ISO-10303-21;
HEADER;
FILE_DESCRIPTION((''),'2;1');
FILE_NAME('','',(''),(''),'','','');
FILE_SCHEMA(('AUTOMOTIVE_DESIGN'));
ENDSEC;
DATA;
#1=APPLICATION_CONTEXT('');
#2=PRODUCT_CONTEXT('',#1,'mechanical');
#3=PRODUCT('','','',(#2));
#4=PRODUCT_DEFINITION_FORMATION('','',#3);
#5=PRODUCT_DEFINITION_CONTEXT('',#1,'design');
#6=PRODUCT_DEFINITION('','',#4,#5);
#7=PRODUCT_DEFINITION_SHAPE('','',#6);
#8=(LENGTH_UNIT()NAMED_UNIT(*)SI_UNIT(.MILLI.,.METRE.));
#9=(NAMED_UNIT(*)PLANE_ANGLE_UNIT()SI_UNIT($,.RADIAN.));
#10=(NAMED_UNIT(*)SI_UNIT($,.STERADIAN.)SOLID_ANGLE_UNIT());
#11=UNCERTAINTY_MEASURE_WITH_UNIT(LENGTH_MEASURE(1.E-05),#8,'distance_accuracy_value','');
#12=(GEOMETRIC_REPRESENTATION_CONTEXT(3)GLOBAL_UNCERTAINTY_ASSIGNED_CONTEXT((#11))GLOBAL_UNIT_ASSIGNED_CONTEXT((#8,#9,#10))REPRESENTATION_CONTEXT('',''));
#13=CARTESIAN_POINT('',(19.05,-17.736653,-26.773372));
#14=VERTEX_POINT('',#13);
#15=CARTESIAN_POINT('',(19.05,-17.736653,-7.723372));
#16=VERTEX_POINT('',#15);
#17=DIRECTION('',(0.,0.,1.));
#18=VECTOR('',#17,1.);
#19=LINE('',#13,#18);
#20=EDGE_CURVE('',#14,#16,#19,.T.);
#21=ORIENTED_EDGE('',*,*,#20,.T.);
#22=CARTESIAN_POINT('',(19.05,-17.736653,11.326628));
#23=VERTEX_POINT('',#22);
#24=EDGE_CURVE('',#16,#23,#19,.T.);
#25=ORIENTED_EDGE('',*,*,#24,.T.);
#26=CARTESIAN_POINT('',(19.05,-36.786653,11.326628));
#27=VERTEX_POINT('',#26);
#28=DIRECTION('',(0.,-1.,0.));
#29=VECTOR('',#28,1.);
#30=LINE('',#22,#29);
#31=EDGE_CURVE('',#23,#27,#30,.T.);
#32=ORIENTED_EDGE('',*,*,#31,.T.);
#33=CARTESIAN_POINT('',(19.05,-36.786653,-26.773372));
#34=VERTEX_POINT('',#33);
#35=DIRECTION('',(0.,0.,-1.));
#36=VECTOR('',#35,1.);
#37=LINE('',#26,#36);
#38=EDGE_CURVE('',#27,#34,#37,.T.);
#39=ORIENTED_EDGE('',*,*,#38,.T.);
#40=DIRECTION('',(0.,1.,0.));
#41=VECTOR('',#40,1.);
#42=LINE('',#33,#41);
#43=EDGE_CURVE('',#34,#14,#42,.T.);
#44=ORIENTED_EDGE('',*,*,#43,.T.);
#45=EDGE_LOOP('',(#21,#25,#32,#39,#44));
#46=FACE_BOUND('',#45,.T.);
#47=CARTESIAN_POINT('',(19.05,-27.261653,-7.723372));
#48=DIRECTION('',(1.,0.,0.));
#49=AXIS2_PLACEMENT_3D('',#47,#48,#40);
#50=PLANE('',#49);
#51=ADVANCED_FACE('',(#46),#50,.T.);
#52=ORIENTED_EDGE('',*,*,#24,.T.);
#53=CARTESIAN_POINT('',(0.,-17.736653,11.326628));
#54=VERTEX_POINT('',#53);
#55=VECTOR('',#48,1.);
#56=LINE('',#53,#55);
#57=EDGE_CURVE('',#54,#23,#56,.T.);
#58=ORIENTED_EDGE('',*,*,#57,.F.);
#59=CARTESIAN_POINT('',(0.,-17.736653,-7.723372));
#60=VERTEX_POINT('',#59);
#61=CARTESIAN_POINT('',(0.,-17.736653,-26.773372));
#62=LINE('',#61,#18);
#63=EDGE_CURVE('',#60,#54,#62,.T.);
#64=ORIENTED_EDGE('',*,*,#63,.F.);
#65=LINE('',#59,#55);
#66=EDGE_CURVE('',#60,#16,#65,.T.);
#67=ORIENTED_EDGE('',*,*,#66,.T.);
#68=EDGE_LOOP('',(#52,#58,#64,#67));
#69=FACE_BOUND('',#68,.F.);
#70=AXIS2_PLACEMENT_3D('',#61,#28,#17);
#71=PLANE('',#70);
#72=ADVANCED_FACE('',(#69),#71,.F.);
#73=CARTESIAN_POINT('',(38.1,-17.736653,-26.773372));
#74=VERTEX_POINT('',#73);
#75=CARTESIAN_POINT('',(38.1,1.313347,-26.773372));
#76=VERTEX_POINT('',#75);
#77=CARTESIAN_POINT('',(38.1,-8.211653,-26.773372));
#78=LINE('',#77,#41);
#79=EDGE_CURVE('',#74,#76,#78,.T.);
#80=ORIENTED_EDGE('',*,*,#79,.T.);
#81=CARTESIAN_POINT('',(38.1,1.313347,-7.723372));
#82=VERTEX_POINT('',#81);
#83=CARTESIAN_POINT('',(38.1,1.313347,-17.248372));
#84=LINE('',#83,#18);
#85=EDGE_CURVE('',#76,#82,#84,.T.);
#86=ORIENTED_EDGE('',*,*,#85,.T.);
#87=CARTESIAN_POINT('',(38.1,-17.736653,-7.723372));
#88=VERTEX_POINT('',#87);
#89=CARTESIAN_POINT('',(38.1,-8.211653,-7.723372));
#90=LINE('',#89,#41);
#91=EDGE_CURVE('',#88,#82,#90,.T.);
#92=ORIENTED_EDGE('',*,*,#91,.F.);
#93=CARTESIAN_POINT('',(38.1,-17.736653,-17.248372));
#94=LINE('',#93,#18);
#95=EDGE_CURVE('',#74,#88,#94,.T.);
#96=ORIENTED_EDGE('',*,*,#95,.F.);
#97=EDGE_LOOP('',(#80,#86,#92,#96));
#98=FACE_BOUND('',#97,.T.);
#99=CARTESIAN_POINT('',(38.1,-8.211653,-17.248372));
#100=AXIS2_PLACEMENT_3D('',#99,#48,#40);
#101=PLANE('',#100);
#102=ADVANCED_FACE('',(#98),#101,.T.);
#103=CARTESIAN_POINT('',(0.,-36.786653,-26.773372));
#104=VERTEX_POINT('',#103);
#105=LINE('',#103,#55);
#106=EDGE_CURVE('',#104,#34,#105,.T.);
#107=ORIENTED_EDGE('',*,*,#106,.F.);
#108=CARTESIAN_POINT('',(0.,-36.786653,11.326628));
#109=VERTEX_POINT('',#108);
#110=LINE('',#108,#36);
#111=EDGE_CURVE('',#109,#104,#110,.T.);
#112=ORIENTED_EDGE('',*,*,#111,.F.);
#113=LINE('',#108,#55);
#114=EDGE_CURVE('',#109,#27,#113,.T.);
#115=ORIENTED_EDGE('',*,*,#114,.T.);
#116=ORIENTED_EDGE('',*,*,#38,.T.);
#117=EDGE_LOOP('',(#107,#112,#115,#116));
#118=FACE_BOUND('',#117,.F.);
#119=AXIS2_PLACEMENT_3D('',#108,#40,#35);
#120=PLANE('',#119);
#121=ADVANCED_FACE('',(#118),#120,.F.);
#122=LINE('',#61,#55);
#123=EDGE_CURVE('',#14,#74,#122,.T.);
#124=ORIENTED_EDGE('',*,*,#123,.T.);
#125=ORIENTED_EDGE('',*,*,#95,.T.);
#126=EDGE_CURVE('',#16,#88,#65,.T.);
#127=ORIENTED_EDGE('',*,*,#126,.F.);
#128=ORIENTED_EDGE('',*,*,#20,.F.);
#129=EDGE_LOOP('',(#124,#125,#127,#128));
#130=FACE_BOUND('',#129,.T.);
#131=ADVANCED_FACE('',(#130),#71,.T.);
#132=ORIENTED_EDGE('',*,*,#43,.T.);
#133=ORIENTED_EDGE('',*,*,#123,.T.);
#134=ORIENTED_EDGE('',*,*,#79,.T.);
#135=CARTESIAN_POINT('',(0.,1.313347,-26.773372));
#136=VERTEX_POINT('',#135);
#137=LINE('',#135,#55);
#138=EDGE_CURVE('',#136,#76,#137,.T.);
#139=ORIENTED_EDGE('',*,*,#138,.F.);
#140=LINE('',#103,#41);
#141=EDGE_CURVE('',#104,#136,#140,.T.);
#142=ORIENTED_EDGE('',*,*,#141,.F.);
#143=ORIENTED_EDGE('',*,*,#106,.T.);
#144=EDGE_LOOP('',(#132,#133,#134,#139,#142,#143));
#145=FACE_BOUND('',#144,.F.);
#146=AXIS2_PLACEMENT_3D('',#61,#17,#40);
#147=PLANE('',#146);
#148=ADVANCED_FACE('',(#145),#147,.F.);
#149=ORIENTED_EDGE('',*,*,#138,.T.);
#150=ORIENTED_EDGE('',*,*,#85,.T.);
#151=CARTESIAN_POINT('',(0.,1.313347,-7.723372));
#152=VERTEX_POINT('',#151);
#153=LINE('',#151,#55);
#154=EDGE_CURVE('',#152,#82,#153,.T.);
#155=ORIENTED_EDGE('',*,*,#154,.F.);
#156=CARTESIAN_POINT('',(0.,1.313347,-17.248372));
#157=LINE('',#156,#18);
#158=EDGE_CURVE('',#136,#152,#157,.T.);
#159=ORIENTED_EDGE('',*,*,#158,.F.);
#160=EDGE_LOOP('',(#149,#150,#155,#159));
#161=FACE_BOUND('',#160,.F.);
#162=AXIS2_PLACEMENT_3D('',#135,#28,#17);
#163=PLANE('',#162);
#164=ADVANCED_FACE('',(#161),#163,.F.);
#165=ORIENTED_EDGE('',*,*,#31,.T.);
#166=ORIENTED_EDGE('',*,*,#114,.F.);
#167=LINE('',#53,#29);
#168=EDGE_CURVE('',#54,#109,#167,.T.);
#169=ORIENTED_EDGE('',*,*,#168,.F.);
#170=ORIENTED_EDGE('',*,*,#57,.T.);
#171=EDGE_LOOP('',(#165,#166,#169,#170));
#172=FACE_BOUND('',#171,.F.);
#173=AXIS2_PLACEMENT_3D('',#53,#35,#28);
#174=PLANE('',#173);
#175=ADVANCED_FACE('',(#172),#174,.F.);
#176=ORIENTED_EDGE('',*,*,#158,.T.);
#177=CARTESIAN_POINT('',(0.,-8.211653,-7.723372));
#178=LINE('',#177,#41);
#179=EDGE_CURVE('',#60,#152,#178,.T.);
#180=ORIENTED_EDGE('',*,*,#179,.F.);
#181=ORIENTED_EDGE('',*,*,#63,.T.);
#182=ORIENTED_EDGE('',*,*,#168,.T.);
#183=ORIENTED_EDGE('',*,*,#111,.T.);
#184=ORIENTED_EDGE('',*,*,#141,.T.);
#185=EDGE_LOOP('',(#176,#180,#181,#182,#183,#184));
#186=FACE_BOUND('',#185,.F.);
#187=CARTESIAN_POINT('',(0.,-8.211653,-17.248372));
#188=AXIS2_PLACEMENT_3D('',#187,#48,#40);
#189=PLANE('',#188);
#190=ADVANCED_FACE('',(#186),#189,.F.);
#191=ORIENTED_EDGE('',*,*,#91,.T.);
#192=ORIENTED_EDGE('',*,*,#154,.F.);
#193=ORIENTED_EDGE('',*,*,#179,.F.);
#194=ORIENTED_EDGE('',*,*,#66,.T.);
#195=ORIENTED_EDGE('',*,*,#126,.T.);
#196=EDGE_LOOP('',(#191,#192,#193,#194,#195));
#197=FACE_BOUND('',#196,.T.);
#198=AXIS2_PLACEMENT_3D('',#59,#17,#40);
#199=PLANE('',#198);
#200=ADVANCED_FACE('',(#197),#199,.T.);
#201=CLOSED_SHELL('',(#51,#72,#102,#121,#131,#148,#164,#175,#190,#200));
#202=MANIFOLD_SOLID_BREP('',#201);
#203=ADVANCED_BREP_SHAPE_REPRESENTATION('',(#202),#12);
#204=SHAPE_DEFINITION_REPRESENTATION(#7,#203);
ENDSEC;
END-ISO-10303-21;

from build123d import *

# Parameters (mm, degrees)
F1_DEPTH = 19.05
F0_W     = 19.05
F0_H     = 19.05
F2_DEPTH = 38.1


with BuildPart() as f1:
    # F0 (on Right) → F1 (new body)
    with BuildSketch(Plane.YZ):
        Polygon((-17.736653, 11.326628), (-36.786653, 11.326628), (-36.786653, -26.773372), (-17.736653, -26.773372), (-17.736653, -7.723372), align=None)
    extrude(amount=F1_DEPTH)

    # F0 (on Right) → F2 (join)
    with BuildSketch(Plane.YZ):
        with Locations((-8.211653, -17.248372)):
            Rectangle(F0_W, F0_H)
    extrude(amount=F2_DEPTH)


solid = f1.part
